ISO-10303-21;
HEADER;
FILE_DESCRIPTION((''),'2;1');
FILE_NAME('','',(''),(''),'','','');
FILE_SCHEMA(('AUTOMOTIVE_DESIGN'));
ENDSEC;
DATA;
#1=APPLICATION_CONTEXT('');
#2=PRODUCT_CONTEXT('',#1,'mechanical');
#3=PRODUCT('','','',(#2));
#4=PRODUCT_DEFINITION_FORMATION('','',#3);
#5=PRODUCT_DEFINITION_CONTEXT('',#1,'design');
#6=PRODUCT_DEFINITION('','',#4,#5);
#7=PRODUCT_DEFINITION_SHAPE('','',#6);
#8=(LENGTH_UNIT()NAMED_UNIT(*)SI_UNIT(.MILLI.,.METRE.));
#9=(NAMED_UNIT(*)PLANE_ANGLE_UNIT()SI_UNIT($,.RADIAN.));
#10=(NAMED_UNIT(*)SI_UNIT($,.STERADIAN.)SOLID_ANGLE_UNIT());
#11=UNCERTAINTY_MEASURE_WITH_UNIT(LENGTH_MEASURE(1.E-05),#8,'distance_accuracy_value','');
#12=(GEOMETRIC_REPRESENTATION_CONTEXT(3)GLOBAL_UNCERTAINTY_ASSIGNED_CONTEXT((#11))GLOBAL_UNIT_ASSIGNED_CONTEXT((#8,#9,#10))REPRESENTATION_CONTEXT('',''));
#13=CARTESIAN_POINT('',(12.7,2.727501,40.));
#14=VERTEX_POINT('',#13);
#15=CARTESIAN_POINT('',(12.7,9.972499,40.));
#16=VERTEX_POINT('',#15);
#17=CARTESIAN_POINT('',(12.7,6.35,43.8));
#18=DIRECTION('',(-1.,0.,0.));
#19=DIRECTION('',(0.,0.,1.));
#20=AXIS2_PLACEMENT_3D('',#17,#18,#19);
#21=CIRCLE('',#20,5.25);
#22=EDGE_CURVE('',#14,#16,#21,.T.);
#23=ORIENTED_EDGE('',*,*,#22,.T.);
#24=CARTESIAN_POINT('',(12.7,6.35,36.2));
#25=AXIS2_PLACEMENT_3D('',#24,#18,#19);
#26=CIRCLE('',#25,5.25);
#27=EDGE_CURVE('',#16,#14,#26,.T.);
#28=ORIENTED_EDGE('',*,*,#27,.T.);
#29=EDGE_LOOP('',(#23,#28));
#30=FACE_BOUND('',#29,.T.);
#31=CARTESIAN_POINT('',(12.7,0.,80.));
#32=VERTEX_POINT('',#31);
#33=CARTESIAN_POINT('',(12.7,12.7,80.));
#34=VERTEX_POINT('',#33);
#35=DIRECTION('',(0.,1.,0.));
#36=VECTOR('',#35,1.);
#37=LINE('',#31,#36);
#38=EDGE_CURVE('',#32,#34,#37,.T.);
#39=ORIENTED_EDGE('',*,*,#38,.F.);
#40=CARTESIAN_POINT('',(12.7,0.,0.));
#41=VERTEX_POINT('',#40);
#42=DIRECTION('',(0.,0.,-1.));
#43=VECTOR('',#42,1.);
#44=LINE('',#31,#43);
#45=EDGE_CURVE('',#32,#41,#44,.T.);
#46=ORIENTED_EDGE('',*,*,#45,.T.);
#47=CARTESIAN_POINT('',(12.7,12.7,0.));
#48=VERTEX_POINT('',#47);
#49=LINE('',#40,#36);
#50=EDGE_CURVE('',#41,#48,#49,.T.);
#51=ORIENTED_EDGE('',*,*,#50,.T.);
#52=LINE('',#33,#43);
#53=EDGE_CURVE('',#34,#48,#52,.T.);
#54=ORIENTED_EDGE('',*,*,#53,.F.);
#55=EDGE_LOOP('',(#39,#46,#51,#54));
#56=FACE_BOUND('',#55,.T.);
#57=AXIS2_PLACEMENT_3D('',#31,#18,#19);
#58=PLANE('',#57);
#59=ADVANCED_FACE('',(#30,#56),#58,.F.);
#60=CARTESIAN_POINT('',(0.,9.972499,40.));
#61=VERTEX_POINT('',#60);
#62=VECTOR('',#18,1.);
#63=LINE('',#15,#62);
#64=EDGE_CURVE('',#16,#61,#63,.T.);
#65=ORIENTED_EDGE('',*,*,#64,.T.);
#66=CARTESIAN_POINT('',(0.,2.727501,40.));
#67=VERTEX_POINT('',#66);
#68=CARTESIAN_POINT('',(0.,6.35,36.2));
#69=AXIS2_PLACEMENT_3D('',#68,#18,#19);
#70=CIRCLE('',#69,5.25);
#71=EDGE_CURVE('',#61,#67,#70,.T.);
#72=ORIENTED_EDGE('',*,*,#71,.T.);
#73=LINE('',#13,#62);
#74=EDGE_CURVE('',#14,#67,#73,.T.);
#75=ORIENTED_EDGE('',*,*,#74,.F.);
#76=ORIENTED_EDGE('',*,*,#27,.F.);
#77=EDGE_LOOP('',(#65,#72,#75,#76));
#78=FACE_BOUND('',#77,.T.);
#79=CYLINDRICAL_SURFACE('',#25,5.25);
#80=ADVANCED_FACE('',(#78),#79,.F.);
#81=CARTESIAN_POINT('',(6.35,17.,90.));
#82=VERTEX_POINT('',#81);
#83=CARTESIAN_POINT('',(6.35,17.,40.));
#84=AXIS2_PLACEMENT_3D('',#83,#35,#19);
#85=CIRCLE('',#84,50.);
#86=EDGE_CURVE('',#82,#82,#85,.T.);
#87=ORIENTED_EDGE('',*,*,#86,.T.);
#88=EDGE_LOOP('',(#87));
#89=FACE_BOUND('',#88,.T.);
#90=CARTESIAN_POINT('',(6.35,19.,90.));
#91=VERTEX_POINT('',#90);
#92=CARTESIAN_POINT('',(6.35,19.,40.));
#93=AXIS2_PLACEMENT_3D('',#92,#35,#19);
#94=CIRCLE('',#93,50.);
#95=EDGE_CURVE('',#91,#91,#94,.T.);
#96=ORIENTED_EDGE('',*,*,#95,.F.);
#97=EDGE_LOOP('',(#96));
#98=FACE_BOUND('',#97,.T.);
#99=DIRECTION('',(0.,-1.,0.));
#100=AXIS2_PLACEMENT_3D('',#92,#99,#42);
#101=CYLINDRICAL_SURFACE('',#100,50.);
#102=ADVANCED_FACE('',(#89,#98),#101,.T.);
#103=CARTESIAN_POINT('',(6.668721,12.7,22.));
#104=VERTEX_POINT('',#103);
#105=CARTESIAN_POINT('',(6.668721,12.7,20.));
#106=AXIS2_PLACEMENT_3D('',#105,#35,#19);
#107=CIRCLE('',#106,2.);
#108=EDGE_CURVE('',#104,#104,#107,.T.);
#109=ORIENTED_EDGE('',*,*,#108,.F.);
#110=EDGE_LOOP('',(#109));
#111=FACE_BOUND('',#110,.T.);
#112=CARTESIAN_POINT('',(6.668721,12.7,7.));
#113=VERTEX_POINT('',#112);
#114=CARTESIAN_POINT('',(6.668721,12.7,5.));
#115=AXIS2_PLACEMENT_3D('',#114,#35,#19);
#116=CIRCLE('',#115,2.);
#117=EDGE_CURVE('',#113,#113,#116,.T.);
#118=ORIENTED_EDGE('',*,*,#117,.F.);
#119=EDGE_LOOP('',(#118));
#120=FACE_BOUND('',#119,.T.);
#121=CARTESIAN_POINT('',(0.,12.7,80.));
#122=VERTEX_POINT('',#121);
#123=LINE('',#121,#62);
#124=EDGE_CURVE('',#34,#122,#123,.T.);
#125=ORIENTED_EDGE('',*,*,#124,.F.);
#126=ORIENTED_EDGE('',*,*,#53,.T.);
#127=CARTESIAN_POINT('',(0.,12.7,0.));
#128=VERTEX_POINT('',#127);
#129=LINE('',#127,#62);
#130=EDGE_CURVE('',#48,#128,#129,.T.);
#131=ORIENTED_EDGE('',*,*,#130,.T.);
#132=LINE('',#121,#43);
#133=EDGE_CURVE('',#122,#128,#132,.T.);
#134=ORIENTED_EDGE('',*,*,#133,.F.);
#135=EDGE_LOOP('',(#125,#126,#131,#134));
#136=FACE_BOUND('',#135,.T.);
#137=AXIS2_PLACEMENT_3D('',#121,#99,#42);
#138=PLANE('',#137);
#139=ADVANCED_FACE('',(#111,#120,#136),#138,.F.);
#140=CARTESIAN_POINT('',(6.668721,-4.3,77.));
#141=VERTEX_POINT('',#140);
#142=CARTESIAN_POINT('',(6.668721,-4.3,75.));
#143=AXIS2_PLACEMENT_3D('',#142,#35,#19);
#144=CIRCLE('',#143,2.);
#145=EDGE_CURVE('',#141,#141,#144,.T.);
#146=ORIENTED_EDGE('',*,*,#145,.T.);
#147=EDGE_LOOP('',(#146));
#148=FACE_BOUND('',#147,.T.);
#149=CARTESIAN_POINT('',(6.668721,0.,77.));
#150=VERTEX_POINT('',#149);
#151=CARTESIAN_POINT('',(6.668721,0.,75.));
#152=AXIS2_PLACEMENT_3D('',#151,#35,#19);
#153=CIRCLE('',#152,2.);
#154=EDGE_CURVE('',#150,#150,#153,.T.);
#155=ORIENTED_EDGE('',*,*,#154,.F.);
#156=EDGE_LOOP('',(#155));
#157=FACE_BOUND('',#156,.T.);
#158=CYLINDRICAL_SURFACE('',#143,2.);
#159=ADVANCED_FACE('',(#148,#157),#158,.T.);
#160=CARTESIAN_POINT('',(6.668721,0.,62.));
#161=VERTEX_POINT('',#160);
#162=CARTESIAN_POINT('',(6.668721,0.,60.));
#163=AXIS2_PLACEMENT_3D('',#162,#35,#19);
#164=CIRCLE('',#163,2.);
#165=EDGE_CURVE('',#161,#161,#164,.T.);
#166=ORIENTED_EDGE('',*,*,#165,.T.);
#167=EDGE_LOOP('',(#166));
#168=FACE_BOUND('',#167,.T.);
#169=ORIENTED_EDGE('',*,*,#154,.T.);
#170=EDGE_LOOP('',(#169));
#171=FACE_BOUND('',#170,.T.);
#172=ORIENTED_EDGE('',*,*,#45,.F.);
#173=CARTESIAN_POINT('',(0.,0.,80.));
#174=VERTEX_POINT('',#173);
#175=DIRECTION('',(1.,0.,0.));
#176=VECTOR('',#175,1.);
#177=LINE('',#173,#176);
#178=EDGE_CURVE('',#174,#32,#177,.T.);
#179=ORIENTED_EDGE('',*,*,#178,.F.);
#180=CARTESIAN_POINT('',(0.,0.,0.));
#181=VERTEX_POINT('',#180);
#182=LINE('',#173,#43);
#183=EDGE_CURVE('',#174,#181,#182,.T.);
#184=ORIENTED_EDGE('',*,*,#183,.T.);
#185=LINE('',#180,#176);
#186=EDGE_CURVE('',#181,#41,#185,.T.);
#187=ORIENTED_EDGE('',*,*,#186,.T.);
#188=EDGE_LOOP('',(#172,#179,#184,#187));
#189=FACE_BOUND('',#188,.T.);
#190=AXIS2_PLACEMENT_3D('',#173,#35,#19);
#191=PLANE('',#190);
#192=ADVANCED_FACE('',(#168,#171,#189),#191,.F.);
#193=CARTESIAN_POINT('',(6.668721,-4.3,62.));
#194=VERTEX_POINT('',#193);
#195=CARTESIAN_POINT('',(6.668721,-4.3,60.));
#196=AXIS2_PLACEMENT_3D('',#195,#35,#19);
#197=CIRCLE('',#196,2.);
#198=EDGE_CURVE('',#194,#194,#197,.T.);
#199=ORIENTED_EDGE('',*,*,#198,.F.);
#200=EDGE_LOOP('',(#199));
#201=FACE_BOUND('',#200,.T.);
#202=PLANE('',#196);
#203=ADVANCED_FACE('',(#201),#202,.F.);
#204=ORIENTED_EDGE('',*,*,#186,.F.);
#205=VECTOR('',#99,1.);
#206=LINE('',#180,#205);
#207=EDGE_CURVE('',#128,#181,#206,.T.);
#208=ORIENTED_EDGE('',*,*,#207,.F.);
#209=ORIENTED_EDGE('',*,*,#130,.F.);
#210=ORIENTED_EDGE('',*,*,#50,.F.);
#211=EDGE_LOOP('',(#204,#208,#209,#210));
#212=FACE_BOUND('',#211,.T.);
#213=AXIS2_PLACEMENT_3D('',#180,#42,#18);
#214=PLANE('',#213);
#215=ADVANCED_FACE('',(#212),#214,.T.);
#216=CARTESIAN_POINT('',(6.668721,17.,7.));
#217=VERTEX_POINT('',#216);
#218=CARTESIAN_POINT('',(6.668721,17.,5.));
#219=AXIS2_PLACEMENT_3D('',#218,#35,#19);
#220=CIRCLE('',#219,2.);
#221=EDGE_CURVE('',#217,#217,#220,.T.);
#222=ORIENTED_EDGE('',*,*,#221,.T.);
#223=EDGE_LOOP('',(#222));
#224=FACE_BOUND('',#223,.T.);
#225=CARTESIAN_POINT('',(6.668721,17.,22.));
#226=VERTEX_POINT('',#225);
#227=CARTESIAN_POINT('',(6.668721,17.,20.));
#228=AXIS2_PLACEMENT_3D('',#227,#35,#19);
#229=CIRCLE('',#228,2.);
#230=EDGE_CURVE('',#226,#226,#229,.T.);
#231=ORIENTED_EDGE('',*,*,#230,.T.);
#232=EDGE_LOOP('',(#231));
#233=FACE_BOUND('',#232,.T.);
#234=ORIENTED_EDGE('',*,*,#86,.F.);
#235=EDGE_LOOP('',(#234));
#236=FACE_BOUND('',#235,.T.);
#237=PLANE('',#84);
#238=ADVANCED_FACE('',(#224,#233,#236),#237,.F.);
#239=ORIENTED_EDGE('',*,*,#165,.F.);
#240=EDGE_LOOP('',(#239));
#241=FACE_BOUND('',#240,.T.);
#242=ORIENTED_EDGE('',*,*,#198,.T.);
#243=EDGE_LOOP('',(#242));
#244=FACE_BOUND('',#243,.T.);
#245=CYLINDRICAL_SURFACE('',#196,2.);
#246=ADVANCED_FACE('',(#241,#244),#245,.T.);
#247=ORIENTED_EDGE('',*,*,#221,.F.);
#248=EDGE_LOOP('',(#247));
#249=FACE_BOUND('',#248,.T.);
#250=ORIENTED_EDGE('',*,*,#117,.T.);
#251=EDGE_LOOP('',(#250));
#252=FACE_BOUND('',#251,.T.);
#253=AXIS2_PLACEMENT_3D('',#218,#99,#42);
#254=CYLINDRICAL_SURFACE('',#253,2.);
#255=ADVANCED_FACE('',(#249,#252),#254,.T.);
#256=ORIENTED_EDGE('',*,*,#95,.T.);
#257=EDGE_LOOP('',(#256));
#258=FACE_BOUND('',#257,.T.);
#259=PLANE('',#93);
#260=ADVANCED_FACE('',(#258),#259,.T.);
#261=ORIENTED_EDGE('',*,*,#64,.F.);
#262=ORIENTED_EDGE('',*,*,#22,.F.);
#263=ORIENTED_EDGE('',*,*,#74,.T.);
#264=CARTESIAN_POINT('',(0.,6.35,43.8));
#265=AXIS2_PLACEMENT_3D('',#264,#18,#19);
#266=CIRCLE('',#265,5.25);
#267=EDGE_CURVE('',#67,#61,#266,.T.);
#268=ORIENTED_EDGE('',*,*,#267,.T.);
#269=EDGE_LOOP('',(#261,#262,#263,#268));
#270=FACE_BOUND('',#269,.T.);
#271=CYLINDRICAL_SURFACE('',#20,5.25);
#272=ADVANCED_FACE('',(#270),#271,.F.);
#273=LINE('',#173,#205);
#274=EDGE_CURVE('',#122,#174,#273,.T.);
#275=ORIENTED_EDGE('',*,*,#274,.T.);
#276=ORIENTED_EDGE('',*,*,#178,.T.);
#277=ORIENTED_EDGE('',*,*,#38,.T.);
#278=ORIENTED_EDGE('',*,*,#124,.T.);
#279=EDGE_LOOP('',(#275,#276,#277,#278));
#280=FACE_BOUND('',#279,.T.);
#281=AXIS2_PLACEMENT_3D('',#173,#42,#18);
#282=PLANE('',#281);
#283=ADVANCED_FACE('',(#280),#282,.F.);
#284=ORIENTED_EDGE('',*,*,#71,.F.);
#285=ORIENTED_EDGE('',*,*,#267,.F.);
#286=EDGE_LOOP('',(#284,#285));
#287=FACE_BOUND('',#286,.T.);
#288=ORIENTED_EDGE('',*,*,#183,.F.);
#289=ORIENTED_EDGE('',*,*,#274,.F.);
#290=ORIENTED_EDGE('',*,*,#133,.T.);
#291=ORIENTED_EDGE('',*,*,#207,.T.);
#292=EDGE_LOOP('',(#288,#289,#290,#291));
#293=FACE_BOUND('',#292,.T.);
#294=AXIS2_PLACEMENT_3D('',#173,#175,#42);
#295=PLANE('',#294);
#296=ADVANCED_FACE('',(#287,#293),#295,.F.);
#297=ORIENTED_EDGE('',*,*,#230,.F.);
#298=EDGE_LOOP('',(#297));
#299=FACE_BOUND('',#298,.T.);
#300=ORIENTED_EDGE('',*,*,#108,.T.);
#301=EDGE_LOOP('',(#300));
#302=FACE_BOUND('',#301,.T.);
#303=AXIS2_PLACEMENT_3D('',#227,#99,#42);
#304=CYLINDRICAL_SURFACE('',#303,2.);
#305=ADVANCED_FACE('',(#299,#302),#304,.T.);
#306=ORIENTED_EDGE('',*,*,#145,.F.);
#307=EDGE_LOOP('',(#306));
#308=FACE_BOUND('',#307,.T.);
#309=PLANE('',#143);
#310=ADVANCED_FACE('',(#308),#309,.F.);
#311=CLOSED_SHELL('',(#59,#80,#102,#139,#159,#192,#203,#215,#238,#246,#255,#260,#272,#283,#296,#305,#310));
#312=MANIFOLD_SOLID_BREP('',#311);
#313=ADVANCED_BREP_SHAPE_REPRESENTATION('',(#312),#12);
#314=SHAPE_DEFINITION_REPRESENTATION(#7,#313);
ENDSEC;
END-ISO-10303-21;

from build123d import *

# Parameters (mm, degrees)
SKETCH1_W           = 12.7
SKETCH1_H           = 12.7
BOSS_EXTRUDE1_DEPTH = 80
SKETCH2_R           = 2
CUT_EXTRUDE1_DEPTH  = 82.991341006
CUT_EXTRUDE2_DEPTH  = 82.991341006
BOSS_EXTRUDE2_START = 17
SKETCH5_R           = 2
BOSS_EXTRUDE2_DEPTH = 17
SKETCH6_R           = 2
BOSS_EXTRUDE3_DEPTH = 17
SKETCH7_R           = 50
BOSS_EXTRUDE4_DEPTH = 2


with BuildPart() as part:
    # Sketch1 → Boss-Extrude1 (new body)
    with BuildSketch(Plane.XY):
        with Locations((6.35, 6.35)):
            Rectangle(SKETCH1_W, SKETCH1_H)
    extrude(amount=BOSS_EXTRUDE1_DEPTH)

    # Sketch2 → Cut-Extrude1 (cut, through all)
    with BuildSketch(Plane(origin=(0, 12.7, 0), x_dir=(1, 0, 0), z_dir=(0, 1, 0))):
        with Locations(Location((6.668720536, -5, 0), (0, 0, 270))):
            Circle(SKETCH2_R)
        with Locations(Location((6.668720536, -20, 0), (0, 0, 270))):
            Circle(SKETCH2_R)
        with Locations(Location((6.668720536, -60, 0), (0, 0, 270))):
            Circle(SKETCH2_R)
        with Locations(Location((6.668720536, -75, 0), (0, 0, 270))):
            Circle(SKETCH2_R)
    extrude(amount=-CUT_EXTRUDE1_DEPTH, mode=Mode.SUBTRACT)

    # Sketch4 → Cut-Extrude2 (cut, through all)
    with BuildSketch(Plane.ZY):
        with BuildLine():
            ThreePointArc((40, 2.727500863), (49.05, 6.35), (40, 9.972499137))
            ThreePointArc((40, 9.972499137), (30.95, 6.35), (40, 2.727500863))
        make_face()
    extrude(amount=-CUT_EXTRUDE2_DEPTH, mode=Mode.SUBTRACT)

    # Sketch5 → Boss-Extrude2 (add)
    with BuildSketch(Plane(origin=(0, 0, 0), x_dir=(1, 0, 0), z_dir=(0, 1, 0)).offset(BOSS_EXTRUDE2_START)):
        with Locations(Location((6.668720536, -20, 0), (0, 0, 270))):
            Circle(SKETCH5_R)
        with Locations(Location((6.668720536, -5, 0), (0, 0, 270))):
            Circle(SKETCH5_R)
    extrude(amount=-BOSS_EXTRUDE2_DEPTH)

    # Sketch6 → Boss-Extrude3 (add)
    with BuildSketch(Plane(origin=(0, 12.7, 0), x_dir=(1, 0, 0), z_dir=(0, 1, 0))):
        with Locations(Location((6.668720536, -75, 0), (0, 0, 270))):
            Circle(SKETCH6_R)
        with Locations(Location((6.668720536, -60, 0), (0, 0, 270))):
            Circle(SKETCH6_R)
    extrude(amount=-BOSS_EXTRUDE3_DEPTH)

    # Sketch7 → Boss-Extrude4 (add)
    with BuildSketch(Plane(origin=(0, 17, 0), x_dir=(1, 0, 0), z_dir=(0, 1, 0))):
        with Locations(Location((6.35, -40, 0), (0, 0, 270))):
            Circle(SKETCH7_R)
    extrude(amount=BOSS_EXTRUDE4_DEPTH)


solid = part.part
